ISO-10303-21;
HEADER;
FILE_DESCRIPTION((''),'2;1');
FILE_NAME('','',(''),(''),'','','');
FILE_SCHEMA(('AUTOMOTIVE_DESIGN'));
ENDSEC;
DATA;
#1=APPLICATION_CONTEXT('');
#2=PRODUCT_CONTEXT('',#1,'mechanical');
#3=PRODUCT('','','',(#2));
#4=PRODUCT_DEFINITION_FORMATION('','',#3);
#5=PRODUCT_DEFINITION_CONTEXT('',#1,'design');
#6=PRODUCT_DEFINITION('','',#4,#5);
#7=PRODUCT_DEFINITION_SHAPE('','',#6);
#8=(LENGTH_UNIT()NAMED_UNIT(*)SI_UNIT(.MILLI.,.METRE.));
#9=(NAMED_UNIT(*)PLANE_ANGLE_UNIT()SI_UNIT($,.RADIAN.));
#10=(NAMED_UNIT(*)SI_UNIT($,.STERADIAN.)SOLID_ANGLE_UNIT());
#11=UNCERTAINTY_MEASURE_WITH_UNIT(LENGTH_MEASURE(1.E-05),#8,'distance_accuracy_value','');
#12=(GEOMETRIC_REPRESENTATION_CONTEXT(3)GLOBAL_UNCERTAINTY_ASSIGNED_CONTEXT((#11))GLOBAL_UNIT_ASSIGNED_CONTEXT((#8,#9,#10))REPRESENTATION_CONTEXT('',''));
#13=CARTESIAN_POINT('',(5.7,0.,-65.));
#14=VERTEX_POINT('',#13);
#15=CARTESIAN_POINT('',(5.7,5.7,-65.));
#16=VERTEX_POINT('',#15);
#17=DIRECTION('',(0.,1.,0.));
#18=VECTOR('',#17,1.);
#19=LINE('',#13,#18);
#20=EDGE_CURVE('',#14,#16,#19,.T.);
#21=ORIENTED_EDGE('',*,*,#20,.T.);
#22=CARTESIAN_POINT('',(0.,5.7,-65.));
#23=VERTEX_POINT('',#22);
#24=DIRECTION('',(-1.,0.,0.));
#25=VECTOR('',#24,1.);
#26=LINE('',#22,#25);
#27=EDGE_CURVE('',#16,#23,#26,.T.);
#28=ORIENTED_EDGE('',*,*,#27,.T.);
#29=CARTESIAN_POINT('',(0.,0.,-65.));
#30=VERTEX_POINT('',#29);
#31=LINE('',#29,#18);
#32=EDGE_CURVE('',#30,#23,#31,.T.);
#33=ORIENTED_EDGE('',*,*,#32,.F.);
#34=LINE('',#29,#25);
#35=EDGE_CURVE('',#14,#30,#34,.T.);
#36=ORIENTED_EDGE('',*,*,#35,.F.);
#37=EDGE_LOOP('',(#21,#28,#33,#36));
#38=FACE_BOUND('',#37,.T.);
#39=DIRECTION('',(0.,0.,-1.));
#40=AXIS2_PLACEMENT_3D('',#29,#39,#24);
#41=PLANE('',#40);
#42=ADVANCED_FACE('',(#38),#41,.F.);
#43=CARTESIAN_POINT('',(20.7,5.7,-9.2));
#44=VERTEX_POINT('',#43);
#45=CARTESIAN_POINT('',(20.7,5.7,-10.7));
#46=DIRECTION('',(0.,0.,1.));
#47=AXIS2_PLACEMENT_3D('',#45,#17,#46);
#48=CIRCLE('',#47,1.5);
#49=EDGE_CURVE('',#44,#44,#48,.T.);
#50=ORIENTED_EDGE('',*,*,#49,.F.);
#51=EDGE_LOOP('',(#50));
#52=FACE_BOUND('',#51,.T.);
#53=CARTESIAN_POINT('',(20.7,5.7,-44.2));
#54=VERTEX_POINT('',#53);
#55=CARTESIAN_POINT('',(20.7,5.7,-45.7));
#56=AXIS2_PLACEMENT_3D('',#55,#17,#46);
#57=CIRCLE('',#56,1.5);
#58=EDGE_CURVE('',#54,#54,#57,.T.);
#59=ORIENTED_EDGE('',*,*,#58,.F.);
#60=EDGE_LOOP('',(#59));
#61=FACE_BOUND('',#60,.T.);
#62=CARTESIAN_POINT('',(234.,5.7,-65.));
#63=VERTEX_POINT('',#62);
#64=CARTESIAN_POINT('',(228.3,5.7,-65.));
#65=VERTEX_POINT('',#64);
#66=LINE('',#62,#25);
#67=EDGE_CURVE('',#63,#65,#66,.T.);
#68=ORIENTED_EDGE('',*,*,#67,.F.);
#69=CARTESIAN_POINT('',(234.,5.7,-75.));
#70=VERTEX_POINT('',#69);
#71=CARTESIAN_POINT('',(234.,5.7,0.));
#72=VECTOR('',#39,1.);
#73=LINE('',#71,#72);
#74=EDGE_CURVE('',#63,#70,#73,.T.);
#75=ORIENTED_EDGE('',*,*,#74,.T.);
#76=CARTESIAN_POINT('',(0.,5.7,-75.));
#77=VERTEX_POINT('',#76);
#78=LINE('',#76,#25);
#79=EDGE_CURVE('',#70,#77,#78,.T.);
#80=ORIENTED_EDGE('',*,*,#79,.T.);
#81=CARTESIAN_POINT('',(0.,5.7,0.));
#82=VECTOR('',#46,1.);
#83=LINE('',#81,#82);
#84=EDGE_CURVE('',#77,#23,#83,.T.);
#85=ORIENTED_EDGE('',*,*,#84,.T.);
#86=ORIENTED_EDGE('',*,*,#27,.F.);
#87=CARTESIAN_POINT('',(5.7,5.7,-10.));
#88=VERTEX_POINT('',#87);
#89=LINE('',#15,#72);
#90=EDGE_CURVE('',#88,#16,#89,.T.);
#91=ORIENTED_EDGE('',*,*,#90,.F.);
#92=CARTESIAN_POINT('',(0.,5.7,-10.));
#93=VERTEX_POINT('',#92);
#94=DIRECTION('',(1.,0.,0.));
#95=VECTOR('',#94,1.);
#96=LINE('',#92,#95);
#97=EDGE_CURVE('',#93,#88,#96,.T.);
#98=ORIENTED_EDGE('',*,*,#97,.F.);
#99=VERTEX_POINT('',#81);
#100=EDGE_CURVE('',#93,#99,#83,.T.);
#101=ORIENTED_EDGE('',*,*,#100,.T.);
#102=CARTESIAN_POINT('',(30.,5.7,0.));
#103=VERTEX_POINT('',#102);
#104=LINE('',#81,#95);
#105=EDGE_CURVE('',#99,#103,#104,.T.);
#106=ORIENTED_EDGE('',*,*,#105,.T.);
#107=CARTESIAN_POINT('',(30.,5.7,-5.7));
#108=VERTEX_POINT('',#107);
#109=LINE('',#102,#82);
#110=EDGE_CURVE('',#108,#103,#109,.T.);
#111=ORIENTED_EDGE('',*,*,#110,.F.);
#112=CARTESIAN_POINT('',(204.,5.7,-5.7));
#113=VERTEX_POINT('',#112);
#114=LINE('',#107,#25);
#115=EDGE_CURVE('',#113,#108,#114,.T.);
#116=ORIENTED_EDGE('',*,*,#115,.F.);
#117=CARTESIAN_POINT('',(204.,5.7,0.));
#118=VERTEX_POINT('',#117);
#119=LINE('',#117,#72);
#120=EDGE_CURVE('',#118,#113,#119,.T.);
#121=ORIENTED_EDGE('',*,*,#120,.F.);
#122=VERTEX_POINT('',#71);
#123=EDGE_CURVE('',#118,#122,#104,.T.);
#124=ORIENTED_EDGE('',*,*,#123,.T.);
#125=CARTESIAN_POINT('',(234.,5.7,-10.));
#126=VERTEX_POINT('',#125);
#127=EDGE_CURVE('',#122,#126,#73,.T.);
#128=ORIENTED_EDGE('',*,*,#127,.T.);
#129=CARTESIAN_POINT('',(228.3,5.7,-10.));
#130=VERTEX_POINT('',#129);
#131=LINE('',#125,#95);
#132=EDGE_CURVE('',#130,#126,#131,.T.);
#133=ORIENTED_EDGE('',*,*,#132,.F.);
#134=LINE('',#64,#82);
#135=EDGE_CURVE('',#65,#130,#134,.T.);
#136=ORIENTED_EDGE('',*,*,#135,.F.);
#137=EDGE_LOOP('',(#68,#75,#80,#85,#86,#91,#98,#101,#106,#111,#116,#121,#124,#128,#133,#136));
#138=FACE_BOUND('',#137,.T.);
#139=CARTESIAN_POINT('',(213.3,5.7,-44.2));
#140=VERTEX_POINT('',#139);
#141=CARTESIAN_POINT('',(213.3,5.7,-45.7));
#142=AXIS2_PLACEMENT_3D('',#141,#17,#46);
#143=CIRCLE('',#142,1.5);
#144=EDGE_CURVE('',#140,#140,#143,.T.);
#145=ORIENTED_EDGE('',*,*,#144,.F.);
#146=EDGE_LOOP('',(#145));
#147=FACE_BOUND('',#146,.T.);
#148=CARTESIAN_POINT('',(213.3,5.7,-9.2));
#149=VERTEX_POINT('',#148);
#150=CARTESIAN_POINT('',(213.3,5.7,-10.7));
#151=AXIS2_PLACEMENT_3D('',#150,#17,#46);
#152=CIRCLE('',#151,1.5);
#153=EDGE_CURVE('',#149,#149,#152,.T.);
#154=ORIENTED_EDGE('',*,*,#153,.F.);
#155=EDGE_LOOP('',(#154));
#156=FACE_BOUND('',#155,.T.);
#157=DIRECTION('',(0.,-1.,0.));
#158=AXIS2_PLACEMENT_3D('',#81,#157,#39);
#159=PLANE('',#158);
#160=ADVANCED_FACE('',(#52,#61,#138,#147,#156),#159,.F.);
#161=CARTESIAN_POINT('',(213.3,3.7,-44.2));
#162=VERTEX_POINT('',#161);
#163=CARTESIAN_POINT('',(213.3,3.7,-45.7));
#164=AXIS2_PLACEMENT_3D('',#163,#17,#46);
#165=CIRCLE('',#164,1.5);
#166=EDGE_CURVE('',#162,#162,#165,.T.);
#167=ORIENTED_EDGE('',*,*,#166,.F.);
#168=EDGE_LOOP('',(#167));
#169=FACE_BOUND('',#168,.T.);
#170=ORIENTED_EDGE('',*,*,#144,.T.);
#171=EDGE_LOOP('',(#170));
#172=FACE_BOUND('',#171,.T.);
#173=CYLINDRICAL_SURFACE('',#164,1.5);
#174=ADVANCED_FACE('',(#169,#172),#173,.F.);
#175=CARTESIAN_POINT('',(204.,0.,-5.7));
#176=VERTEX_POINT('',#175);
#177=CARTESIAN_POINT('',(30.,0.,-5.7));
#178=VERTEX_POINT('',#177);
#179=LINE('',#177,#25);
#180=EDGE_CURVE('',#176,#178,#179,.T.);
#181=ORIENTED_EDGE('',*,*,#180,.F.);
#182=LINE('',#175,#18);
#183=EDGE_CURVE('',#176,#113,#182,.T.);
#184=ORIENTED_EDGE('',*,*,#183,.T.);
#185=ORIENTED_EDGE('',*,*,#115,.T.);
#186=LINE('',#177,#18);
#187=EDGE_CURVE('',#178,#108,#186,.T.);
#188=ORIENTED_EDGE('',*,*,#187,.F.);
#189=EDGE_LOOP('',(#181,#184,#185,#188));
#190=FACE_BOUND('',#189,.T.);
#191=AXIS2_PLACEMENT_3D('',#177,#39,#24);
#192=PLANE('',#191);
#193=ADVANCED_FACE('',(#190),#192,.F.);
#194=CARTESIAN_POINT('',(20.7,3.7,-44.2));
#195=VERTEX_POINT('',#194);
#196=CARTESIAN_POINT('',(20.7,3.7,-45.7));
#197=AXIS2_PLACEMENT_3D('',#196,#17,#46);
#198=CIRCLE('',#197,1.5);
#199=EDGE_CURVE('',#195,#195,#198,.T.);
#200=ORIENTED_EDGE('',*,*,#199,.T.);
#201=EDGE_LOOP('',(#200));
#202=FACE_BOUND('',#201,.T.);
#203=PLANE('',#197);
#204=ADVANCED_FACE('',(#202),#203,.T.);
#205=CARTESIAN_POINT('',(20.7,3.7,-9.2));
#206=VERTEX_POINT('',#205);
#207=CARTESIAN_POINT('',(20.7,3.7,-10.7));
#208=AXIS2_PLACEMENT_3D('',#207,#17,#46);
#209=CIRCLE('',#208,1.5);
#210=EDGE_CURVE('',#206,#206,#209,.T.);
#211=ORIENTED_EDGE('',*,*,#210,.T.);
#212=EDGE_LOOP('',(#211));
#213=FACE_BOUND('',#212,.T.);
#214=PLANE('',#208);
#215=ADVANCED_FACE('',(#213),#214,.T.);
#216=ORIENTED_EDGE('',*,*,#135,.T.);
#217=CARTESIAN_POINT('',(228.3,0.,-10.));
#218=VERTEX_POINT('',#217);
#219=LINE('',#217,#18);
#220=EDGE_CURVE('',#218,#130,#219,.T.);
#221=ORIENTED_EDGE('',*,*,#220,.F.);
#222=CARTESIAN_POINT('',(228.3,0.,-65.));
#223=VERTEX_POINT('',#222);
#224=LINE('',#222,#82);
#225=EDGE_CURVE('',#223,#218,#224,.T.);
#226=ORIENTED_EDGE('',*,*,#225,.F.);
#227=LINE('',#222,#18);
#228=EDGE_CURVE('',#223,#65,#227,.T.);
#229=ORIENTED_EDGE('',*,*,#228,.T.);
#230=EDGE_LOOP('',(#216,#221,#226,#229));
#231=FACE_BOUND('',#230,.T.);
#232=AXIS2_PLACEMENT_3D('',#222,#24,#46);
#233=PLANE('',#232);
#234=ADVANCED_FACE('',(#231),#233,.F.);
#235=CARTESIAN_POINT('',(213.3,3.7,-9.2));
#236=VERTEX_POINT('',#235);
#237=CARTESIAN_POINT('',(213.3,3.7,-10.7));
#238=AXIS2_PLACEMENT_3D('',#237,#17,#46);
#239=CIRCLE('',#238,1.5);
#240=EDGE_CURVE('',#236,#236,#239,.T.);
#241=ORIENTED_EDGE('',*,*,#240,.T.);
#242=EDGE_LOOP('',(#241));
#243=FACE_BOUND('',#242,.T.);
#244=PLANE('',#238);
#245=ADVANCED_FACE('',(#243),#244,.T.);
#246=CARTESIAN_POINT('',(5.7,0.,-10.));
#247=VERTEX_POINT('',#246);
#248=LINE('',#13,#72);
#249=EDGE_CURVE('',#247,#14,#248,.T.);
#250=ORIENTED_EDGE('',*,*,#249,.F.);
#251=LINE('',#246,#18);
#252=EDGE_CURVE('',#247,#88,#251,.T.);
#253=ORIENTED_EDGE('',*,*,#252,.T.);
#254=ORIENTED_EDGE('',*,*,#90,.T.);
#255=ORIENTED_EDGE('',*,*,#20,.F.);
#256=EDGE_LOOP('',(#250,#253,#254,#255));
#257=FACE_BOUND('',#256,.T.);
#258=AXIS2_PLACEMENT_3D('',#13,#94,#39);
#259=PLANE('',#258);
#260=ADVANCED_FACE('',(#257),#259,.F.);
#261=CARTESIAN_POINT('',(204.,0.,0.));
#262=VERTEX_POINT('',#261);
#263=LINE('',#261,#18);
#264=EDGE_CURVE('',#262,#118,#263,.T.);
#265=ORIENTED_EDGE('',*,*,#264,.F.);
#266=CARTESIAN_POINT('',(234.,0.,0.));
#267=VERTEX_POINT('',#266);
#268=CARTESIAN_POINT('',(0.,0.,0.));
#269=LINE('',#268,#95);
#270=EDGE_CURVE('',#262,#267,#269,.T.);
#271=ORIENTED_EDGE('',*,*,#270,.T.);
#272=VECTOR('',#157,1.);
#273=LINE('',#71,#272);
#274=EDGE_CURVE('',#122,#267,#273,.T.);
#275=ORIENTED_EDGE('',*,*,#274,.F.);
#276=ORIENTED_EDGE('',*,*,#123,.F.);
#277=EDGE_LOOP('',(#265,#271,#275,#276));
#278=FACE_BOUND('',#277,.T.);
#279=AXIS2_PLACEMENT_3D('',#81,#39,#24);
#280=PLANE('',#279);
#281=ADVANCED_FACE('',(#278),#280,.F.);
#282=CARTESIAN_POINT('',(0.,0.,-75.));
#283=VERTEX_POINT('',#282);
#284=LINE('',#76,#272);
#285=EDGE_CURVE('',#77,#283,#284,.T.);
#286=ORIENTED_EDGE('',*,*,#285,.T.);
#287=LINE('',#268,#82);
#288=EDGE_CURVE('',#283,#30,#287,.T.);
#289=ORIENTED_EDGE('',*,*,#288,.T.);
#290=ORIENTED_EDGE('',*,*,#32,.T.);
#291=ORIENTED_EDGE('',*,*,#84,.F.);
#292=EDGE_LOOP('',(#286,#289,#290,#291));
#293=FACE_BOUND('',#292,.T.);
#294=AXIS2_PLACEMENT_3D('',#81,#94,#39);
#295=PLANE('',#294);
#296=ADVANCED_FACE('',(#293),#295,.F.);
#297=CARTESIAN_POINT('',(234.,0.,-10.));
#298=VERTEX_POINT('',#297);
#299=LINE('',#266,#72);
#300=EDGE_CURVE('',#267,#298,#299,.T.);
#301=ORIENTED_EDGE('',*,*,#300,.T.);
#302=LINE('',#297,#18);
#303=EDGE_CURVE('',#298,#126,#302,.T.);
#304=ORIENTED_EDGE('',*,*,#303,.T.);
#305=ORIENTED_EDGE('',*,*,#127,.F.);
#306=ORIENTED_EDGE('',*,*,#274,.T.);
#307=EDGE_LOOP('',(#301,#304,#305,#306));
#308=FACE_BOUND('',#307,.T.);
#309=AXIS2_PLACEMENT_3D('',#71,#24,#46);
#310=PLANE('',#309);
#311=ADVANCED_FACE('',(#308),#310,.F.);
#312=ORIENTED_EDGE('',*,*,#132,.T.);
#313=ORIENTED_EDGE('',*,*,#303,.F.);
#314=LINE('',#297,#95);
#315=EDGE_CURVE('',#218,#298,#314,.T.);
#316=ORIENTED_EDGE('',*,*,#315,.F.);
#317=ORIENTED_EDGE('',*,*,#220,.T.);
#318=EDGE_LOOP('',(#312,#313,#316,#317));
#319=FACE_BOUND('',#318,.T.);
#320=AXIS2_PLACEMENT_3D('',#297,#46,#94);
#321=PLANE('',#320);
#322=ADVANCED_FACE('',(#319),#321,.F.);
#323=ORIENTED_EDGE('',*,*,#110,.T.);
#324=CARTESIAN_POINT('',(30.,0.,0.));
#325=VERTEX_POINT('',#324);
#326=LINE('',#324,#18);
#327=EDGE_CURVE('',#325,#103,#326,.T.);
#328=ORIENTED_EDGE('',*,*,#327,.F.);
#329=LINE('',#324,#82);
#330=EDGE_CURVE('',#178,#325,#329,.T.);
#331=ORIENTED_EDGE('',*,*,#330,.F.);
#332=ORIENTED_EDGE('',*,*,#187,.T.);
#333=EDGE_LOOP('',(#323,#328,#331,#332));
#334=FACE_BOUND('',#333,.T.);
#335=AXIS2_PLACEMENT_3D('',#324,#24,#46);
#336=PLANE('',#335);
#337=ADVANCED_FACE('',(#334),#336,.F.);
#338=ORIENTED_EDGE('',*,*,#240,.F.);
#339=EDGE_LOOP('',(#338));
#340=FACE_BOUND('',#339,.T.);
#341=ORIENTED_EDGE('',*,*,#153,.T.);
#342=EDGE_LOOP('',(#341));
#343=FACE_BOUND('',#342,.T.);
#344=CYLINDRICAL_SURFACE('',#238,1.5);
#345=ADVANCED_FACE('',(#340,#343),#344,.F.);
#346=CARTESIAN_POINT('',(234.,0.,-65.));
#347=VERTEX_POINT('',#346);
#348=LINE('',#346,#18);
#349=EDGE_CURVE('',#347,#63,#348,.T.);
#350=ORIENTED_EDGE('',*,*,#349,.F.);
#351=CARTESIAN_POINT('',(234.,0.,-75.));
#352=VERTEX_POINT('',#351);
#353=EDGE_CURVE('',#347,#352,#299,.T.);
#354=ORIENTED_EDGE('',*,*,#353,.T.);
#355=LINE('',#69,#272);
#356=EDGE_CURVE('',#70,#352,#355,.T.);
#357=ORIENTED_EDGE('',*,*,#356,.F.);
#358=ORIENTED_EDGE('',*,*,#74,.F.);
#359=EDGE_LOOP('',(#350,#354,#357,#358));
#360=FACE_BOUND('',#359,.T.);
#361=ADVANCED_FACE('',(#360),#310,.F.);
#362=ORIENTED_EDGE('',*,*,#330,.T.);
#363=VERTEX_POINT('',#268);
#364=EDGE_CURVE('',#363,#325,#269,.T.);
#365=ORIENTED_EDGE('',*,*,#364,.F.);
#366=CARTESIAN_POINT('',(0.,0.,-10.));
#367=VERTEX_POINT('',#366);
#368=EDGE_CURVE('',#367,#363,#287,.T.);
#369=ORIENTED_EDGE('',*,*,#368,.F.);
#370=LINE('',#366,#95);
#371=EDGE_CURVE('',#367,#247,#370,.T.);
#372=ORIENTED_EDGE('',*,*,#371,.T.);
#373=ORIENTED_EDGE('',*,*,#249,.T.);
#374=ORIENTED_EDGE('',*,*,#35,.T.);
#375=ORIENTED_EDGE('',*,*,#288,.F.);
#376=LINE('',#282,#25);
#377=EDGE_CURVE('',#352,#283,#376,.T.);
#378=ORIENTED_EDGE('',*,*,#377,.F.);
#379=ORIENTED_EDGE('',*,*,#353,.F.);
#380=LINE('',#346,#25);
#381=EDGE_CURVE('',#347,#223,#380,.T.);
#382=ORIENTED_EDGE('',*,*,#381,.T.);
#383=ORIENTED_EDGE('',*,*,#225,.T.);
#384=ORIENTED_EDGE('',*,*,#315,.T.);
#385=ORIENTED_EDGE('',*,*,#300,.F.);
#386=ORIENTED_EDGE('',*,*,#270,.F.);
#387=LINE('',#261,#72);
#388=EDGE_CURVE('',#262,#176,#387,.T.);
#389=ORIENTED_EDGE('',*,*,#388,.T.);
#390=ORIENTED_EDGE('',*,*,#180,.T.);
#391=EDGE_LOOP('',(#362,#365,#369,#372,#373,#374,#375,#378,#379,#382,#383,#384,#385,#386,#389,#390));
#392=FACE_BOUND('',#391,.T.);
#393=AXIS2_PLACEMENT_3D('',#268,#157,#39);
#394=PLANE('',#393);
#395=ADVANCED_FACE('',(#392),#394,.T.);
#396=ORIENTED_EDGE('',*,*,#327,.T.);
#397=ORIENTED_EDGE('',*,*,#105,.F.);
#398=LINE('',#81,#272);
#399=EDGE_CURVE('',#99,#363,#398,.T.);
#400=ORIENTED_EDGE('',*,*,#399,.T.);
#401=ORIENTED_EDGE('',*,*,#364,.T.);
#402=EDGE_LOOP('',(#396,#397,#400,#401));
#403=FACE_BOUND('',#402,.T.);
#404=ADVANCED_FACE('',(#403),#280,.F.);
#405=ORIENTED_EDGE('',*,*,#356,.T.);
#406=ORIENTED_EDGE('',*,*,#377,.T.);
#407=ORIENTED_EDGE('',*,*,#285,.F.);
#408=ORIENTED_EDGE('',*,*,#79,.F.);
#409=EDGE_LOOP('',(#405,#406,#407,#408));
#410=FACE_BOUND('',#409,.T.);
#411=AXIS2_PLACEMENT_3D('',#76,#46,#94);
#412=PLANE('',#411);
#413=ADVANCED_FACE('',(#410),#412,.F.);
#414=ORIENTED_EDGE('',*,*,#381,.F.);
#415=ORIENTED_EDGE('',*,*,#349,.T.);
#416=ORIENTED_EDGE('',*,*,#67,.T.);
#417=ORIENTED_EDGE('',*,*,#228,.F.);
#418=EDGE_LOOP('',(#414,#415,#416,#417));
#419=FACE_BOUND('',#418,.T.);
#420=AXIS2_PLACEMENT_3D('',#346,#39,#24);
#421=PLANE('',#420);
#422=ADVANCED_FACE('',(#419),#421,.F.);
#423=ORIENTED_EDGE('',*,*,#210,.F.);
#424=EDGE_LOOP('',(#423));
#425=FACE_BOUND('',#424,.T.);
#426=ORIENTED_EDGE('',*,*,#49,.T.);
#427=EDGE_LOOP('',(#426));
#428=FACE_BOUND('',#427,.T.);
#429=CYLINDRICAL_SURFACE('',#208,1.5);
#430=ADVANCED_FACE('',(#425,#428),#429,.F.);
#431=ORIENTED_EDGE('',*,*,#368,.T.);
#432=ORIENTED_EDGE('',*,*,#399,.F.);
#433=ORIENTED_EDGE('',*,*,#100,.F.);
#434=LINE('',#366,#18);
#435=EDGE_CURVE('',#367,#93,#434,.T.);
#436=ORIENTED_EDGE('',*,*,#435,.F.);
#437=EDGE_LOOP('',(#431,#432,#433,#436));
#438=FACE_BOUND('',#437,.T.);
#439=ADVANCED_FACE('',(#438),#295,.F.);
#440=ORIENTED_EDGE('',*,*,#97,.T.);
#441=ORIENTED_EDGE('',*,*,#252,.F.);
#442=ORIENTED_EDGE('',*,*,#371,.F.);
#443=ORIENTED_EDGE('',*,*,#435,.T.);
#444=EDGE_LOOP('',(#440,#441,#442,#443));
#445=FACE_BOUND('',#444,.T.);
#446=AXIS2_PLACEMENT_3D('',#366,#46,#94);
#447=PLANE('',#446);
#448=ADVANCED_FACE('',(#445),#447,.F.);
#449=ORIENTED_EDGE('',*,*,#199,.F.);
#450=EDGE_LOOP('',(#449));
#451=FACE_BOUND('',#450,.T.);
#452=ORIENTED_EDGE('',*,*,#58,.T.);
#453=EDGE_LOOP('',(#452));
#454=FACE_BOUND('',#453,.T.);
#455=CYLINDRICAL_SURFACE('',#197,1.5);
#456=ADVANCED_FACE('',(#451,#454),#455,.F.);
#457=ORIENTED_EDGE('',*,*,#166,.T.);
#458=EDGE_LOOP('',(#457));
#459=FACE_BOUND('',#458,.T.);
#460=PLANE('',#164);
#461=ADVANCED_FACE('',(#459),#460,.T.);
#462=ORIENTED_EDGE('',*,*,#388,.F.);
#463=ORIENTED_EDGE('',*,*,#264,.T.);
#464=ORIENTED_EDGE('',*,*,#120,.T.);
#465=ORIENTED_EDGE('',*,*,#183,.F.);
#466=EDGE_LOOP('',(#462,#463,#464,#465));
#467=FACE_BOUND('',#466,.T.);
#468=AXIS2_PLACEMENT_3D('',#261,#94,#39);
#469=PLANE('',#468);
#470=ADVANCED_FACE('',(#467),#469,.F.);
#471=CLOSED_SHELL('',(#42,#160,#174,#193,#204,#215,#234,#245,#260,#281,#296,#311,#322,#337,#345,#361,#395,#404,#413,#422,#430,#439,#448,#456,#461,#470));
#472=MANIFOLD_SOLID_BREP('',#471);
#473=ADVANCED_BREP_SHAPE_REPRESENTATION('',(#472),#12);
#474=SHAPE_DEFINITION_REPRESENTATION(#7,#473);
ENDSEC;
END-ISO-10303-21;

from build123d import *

# Parameters (mm, degrees)
SKETCH1_W           = 234
SKETCH1_H           = 75
BOSS_EXTRUDE1_DEPTH = 5.7
SKETCH2_W           = 5.7
SKETCH2_H           = 55
CUT_EXTRUDE1_DEPTH  = 5.7
SKETCH3_W           = 174
SKETCH3_H           = 5.7
CUT_EXTRUDE2_DEPTH  = 5.7
SKETCH4_R           = 1.5
CUT_EXTRUDE3_DEPTH  = 2


with BuildPart() as part:
    # Sketch1 → Boss-Extrude1 (new body)
    with BuildSketch(Plane(origin=(0, 0, 0), x_dir=(1, 0, 0), z_dir=(0, 1, 0))):
        with Locations((117, 37.5)):
            Rectangle(SKETCH1_W, SKETCH1_H)
    extrude(amount=BOSS_EXTRUDE1_DEPTH)

    # Sketch2 → Cut-Extrude1 (cut)
    with BuildSketch(Plane(origin=(0, 5.7, 0), x_dir=(1, 0, 0), z_dir=(0, 1, 0))):
        with Locations((2.85, 37.5)):
            Rectangle(SKETCH2_W, SKETCH2_H)
        with Locations((231.15, 37.5)):
            Rectangle(SKETCH2_W, SKETCH2_H)
    extrude(amount=-CUT_EXTRUDE1_DEPTH, mode=Mode.SUBTRACT)

    # Sketch3 → Cut-Extrude2 (cut)
    with BuildSketch(Plane(origin=(0, 5.7, 0), x_dir=(1, 0, 0), z_dir=(0, 1, 0))):
        with Locations((117, 2.85)):
            Rectangle(SKETCH3_W, SKETCH3_H)
    extrude(amount=-CUT_EXTRUDE2_DEPTH, mode=Mode.SUBTRACT)

    # Sketch4 → Cut-Extrude3 (cut)
    with BuildSketch(Plane(origin=(0, 5.7, 0), x_dir=(1, 0, 0), z_dir=(0, 1, 0))):
        with Locations(Location((213.3, 45.7, 0), (0, 0, 270))):
            Circle(SKETCH4_R)
        with Locations(Location((213.3, 10.7, 0), (0, 0, 270))):
            Circle(SKETCH4_R)
        with Locations(Location((20.7, 10.7, 0), (0, 0, 270))):
            Circle(SKETCH4_R)
        with Locations(Location((20.7, 45.7, 0), (0, 0, 270))):
            Circle(SKETCH4_R)
    extrude(amount=-CUT_EXTRUDE3_DEPTH, mode=Mode.SUBTRACT)


solid = part.part
